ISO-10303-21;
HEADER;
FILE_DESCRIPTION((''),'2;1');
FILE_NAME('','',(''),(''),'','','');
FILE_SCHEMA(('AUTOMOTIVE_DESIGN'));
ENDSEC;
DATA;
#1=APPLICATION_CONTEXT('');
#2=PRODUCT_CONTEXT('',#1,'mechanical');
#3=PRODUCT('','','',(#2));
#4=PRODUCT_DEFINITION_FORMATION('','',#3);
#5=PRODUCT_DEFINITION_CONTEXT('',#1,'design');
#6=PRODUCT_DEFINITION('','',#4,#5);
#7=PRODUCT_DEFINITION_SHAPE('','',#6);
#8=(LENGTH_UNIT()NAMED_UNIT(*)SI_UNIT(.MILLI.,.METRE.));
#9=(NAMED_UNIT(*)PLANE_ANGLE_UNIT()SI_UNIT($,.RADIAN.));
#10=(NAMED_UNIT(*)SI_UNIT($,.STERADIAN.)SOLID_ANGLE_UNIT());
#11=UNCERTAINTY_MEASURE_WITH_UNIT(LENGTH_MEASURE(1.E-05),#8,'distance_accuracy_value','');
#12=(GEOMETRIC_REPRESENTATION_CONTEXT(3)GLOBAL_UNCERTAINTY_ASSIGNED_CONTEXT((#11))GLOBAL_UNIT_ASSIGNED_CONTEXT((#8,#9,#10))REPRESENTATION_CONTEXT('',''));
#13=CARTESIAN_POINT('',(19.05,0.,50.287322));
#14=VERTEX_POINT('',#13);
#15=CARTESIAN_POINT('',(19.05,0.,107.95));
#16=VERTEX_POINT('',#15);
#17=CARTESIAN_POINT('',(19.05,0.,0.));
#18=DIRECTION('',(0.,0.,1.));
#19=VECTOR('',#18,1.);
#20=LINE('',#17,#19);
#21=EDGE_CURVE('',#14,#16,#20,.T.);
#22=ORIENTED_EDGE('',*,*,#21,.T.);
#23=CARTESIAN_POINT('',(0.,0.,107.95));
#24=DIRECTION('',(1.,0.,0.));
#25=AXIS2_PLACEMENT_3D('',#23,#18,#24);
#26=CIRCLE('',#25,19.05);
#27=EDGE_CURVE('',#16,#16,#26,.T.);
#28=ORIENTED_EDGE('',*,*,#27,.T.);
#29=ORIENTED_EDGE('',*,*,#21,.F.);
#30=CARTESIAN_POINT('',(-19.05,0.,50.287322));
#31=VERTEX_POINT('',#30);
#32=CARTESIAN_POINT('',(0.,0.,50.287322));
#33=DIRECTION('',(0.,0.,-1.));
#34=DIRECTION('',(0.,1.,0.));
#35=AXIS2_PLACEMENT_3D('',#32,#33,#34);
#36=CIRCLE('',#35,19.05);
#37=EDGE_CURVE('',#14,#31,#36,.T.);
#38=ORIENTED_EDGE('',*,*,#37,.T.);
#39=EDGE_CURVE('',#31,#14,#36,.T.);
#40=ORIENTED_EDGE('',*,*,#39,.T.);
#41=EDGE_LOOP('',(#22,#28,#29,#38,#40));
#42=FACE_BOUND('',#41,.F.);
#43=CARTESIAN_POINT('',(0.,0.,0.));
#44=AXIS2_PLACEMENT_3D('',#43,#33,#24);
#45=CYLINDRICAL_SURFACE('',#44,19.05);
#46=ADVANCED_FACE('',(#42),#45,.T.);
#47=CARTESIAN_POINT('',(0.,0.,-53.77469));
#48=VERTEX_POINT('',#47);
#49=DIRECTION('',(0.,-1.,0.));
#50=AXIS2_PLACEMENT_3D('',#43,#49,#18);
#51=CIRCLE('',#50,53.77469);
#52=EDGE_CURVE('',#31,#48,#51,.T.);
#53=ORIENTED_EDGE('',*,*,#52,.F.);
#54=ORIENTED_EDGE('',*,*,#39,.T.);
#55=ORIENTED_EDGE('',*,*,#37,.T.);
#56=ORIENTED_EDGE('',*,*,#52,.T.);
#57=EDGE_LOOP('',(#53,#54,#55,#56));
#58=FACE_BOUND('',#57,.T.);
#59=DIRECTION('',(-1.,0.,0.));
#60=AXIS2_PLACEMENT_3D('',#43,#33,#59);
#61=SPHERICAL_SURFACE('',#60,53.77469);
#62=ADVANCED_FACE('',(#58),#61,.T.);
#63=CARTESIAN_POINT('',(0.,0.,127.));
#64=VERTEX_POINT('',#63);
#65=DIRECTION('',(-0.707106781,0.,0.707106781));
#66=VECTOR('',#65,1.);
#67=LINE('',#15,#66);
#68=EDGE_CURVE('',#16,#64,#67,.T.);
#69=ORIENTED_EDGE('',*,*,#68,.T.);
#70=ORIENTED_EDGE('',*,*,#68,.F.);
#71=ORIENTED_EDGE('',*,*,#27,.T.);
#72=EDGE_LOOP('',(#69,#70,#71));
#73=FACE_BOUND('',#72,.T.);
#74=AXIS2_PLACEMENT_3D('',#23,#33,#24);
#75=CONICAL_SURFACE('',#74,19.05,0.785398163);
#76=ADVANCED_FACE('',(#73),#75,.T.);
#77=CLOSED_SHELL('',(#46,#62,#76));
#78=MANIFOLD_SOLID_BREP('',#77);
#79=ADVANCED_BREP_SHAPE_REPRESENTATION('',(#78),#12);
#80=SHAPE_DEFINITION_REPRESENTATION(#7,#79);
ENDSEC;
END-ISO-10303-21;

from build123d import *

# Parameters (mm, degrees)
F2_R     = 19.05
F3_DEPTH = 25.4
F4_DEPTH = 127
F5_SIZE  = 19.05


with BuildPart() as f1:
    # F0 (on Front) → F1 (revolve)
    with BuildSketch(Plane.XZ):
        with BuildLine():
            Line((0, 0), (0, 53.77469))
            ThreePointArc((0, 53.77469), (-53.77469, 0), (0, -53.77469))
            Line((0, -53.77469), (0, 0))
        make_face()
    revolve(axis=Axis((0, 0, 26.887345), (0, 0, -1)))



with BuildPart() as f3:
    # F2 (on Top) → F3 (new body)
    with BuildSketch(Plane.XY):
        Circle(F2_R)
    extrude(amount=-F3_DEPTH)


with BuildPart() as f1_1:
    add(f1.part)

    add(f3.part)  # F4 merges F3
    # F2 (on Top) → F4 (join)
    with BuildSketch(Plane.XY):
        Circle(F2_R)
    extrude(amount=F4_DEPTH)

    # F5
    f5_edges = [f1_1.edges().sort_by_distance(p)[0] for p in [
        (-19.05, 0, 127),
    ]]
    chamfer(f5_edges, length=F5_SIZE)


solid = f1_1.part
